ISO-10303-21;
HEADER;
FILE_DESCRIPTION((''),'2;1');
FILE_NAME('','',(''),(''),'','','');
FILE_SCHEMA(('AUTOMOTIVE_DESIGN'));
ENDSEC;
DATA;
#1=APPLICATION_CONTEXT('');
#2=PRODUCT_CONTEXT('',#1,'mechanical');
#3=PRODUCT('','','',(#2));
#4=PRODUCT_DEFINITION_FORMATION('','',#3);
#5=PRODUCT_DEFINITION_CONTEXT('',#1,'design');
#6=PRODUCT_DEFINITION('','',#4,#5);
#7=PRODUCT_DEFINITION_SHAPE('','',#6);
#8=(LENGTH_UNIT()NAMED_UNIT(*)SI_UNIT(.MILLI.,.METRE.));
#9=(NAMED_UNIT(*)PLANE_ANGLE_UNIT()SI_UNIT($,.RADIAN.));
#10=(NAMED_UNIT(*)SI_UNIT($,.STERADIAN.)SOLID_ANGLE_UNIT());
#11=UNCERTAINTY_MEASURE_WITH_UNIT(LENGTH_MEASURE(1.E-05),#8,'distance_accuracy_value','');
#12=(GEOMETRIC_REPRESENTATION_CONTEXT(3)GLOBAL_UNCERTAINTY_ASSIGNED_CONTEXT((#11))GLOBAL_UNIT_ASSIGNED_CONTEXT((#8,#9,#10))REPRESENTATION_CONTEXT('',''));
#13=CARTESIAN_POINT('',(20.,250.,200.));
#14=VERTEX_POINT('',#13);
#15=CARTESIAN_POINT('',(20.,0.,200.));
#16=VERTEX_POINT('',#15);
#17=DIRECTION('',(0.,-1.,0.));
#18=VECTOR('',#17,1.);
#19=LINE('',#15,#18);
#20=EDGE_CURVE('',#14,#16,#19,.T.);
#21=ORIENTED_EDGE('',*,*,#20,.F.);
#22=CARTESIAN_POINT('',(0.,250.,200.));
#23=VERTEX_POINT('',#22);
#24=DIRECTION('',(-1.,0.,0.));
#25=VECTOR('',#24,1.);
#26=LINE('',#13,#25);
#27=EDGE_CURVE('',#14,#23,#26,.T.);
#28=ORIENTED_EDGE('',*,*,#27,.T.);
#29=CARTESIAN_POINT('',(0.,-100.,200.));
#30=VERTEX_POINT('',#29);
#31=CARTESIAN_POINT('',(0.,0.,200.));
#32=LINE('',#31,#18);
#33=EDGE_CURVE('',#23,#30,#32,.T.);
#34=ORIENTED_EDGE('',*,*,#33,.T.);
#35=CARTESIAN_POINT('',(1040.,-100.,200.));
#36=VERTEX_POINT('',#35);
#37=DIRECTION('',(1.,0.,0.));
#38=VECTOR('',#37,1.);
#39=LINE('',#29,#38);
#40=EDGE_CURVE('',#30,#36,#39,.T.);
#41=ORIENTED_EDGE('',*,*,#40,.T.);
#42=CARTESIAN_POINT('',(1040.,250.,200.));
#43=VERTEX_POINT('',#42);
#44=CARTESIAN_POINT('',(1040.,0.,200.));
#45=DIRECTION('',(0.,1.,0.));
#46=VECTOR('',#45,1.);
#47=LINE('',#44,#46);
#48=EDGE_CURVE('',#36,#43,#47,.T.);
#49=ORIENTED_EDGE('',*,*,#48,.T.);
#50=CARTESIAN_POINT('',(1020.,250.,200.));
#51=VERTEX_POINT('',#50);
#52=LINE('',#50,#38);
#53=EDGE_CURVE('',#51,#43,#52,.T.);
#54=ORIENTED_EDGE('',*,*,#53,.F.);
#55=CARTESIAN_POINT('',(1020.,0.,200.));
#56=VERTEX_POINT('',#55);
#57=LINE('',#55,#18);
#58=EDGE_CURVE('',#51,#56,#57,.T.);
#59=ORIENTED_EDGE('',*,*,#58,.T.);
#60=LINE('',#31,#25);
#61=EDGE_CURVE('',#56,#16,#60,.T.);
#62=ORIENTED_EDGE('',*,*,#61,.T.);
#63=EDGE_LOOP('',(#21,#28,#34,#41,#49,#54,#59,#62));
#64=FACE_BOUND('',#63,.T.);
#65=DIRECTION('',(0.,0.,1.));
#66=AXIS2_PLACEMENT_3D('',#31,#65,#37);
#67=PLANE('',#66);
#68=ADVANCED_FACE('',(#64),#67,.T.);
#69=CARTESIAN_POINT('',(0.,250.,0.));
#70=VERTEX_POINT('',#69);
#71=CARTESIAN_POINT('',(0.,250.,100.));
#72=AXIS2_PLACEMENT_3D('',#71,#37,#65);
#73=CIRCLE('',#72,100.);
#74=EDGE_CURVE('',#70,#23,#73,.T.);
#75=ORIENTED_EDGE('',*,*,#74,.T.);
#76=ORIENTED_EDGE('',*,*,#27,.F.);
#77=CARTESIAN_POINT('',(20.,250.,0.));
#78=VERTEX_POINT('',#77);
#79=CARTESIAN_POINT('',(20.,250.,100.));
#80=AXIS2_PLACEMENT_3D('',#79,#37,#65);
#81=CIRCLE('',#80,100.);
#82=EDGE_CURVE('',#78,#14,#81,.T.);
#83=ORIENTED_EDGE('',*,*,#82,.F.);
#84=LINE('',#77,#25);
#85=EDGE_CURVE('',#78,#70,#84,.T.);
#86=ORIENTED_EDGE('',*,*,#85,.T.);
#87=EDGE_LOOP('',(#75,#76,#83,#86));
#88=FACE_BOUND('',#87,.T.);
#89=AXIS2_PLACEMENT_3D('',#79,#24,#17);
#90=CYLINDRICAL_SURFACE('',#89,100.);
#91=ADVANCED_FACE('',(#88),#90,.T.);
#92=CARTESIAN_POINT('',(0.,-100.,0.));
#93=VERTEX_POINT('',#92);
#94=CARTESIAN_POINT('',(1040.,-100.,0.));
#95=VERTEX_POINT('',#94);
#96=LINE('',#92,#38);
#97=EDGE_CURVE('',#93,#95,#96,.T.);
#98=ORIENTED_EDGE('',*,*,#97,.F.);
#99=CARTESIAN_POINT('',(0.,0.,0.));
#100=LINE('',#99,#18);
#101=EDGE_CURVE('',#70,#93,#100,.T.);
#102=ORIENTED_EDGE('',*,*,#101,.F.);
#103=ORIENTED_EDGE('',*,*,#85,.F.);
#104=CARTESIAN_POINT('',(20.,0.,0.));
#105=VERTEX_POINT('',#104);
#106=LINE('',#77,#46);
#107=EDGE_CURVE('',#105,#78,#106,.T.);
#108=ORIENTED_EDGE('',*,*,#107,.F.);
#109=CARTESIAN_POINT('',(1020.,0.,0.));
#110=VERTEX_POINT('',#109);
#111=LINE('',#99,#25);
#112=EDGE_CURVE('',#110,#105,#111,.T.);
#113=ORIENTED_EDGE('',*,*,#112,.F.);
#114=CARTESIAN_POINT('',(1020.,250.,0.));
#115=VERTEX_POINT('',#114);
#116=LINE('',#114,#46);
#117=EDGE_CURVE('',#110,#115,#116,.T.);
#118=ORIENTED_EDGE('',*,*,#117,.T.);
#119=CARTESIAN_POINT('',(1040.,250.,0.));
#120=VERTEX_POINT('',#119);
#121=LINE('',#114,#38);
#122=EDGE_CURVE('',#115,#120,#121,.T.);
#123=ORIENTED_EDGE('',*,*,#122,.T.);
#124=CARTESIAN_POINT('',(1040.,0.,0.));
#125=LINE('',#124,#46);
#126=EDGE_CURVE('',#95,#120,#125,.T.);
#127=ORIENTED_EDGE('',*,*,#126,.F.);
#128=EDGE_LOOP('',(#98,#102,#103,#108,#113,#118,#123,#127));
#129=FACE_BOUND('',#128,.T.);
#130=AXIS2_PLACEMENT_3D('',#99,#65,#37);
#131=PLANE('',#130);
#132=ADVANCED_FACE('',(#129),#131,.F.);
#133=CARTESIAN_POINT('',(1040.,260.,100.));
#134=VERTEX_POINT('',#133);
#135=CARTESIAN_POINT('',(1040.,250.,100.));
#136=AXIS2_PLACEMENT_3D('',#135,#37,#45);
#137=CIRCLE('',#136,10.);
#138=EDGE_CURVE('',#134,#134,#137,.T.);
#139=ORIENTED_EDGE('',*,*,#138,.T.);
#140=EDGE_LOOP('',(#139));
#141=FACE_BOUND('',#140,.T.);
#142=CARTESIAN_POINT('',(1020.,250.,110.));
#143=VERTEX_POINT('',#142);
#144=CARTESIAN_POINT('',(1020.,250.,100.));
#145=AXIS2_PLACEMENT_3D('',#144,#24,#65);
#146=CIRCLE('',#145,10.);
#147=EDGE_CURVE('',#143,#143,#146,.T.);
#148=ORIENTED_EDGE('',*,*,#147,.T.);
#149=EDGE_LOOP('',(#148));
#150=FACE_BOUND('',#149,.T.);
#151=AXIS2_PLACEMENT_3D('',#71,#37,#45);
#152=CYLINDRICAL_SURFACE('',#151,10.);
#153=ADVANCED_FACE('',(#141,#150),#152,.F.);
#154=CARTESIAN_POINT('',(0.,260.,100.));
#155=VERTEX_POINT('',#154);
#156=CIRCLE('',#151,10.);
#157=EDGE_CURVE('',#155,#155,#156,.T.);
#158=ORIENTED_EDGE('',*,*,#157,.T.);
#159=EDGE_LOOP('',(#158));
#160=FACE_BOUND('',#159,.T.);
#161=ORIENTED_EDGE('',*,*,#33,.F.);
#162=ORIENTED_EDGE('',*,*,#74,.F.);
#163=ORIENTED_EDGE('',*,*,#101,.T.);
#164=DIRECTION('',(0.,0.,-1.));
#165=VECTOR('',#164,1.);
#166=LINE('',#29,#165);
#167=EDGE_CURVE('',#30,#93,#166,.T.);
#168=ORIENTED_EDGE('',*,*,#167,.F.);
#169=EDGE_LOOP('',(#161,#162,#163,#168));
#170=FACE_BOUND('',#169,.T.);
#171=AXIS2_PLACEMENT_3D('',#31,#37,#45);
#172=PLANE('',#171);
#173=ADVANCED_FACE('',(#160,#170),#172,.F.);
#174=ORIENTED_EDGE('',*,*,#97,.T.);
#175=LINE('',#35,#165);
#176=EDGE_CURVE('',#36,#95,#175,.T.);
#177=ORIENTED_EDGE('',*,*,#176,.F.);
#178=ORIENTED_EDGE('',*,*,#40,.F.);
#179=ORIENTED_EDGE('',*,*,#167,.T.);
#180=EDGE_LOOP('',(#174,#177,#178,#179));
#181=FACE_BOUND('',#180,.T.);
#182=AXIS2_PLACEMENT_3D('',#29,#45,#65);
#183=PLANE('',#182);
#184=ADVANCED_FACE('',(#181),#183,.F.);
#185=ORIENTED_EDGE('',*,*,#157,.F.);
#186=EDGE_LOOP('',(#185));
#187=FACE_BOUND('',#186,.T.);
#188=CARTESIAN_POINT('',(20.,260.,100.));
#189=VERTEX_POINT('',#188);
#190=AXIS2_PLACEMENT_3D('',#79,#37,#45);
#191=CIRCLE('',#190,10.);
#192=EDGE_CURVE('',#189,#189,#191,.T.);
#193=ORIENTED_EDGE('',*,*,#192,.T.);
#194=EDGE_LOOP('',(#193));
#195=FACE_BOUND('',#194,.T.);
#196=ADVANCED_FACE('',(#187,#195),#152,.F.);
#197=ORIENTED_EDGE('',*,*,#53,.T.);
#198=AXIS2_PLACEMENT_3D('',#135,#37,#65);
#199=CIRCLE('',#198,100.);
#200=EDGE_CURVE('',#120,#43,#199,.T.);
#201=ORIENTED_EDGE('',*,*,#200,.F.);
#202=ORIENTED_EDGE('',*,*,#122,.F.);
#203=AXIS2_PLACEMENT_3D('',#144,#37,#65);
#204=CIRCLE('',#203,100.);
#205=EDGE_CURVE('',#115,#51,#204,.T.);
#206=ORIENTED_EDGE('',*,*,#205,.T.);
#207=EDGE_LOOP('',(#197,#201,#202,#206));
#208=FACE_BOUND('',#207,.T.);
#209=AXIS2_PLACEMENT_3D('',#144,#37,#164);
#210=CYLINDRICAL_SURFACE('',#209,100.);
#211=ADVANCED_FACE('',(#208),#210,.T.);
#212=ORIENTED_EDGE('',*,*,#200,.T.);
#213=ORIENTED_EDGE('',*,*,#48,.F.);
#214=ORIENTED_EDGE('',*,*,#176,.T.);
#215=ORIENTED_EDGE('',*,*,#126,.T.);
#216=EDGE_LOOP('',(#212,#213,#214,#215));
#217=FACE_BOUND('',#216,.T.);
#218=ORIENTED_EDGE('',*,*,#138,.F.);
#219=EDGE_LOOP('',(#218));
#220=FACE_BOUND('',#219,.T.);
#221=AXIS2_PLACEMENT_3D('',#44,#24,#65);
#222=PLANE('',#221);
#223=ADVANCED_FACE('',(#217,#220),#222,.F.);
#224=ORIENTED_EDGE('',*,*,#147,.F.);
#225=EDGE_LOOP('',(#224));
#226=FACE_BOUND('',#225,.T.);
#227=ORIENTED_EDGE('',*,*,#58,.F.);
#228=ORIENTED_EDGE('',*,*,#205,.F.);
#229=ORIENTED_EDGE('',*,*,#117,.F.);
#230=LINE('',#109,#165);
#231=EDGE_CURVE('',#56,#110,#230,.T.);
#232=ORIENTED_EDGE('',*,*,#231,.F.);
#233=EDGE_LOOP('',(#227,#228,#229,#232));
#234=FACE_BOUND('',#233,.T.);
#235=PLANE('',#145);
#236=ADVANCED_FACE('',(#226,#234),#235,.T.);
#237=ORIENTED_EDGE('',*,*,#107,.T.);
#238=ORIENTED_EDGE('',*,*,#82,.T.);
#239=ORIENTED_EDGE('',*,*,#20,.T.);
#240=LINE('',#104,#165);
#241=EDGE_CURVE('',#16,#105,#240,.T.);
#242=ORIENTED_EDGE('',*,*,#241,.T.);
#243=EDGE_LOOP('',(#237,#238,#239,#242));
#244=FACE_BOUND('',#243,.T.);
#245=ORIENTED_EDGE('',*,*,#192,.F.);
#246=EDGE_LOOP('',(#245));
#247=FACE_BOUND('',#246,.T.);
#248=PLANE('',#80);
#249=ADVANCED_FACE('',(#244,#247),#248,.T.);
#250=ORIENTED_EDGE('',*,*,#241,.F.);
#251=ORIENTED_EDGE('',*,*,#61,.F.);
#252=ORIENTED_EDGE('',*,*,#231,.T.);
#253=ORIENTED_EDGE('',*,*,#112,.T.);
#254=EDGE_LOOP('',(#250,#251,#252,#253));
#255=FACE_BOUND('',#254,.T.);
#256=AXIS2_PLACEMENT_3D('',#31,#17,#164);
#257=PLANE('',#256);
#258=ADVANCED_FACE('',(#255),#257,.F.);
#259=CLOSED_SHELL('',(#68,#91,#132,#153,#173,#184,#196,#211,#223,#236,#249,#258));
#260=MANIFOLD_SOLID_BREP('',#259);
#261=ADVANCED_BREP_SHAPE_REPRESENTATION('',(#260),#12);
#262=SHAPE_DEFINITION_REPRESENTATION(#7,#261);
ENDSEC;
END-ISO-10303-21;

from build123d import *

# Parameters (mm, degrees)
SKETCH1_W               = 1040
SKETCH1_H               = 100
BOSS_EXTRUDE1_DEPTH     = 200
BOSS_EXTRUDE3_DEPTH     = 20
CUT_EXTRUDE1_DEPTH      = 1097.76797911
CUT_EXTRUDE1_DEPTH_BACK = 1097.76797911
SKETCH3_R               = 10


with BuildPart() as part:
    # Sketch1 → Boss-Extrude1 (new body)
    with BuildSketch(Plane.XY):
        with Locations((520, -50)):
            Rectangle(SKETCH1_W, SKETCH1_H)
    extrude(amount=BOSS_EXTRUDE1_DEPTH)

    # Sketch2 → Boss-Extrude3 (add)
    with BuildSketch(Plane(origin=(1040, 0, 0), x_dir=(0, 0, -1), z_dir=(1, 0, 0))):
        with BuildLine():
            Line((-200, 0), (-200, 250))
            ThreePointArc((-200, 250), (-100, 350), (0, 250))
            Line((0, 250), (0, 0))
            Line((0, 0), (-200, 0))
        make_face()
    boss_extrude3 = extrude(amount=-BOSS_EXTRUDE3_DEPTH)

    # Mirror2: Boss-Extrude3 across plane
    add(boss_extrude3.mirror(Plane(origin=(520, 0, 0), x_dir=(0, 0, 1), z_dir=(1, 0, 0))))

    # Sketch3 → Cut-Extrude1 (cut, two sides: drawn at the far end of the back side and taken through both)
    with BuildSketch(Plane(origin=(20, 0, 0), x_dir=(0, 0, -1), z_dir=(1, 0, 0)).offset(-CUT_EXTRUDE1_DEPTH_BACK)):
        with Locations(Location((-100, 250, 0), (0, 0, 90))):
            Circle(SKETCH3_R)
    extrude(amount=CUT_EXTRUDE1_DEPTH + CUT_EXTRUDE1_DEPTH_BACK, mode=Mode.SUBTRACT)


solid = part.part
